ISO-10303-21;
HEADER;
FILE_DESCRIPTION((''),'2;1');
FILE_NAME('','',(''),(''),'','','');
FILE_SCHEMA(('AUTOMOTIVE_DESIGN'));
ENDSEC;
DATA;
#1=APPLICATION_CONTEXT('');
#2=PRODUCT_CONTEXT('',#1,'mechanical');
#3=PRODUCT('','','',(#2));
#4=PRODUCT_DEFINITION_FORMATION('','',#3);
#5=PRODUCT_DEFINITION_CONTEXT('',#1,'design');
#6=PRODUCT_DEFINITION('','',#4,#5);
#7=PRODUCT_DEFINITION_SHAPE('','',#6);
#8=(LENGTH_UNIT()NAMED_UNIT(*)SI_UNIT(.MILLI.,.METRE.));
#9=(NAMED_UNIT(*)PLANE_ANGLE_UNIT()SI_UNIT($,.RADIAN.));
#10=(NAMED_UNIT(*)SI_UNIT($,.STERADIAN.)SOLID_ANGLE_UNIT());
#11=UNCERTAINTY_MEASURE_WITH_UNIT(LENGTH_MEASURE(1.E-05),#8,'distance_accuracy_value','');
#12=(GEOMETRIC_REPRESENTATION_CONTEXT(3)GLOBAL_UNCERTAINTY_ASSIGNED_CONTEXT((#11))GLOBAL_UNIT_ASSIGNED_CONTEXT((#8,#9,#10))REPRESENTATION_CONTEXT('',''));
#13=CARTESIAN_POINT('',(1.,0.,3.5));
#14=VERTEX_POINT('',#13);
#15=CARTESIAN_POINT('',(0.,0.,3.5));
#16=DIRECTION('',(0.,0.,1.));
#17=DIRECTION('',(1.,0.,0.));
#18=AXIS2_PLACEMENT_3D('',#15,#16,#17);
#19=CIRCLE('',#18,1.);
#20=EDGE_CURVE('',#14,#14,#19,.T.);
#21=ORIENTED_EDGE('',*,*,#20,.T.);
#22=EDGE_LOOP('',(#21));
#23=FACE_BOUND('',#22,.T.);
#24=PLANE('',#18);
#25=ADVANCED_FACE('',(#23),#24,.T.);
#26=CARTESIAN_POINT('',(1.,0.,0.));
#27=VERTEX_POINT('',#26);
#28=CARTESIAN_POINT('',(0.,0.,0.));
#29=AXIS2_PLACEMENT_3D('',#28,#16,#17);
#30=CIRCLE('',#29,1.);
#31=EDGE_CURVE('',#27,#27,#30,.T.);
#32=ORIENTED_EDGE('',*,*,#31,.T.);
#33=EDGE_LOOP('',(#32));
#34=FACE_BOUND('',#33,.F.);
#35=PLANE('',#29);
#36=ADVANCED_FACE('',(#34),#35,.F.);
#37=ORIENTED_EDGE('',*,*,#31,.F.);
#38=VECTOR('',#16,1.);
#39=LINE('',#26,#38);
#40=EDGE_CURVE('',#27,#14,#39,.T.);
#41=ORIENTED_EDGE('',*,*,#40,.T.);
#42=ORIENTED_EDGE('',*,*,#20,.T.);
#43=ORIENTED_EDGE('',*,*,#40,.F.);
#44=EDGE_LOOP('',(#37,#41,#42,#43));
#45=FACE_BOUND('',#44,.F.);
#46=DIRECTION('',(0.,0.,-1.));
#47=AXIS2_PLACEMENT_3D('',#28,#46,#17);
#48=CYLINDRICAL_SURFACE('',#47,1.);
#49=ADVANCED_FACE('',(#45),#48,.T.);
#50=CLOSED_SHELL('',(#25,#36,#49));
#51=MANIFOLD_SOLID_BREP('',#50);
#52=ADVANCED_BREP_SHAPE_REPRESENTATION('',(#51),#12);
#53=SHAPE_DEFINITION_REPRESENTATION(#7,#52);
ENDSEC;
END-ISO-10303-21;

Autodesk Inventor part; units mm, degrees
ref_plane "YZ Plane" through (0, 0, 0) normal (1, 0, 0) x (0, 1, 0)
ref_plane "XZ Plane" through (0, 0, 0) normal (0, 1, 0) x (-1, 0, 0)
ref_plane "XY Plane" through (0, 0, 0) normal (0, 0, 1) x (1, 0, 0)
sketch "Esboço1" plane through (0, 0, 0) normal (0, 0, 1) x (1, 0, 0)
  point P0 (0, 0)
sketch "Esboço2" plane through (0, 0, 0) normal (0, 0, 1) x (1, 0, 0)
  circle A0 centre (0, 0) radius 1
  dimension "d0" = 2
extrude "Extrusão1" add sketch "Esboço2" along normal blind 3.5
properties part number "sup engrenagem menor"
